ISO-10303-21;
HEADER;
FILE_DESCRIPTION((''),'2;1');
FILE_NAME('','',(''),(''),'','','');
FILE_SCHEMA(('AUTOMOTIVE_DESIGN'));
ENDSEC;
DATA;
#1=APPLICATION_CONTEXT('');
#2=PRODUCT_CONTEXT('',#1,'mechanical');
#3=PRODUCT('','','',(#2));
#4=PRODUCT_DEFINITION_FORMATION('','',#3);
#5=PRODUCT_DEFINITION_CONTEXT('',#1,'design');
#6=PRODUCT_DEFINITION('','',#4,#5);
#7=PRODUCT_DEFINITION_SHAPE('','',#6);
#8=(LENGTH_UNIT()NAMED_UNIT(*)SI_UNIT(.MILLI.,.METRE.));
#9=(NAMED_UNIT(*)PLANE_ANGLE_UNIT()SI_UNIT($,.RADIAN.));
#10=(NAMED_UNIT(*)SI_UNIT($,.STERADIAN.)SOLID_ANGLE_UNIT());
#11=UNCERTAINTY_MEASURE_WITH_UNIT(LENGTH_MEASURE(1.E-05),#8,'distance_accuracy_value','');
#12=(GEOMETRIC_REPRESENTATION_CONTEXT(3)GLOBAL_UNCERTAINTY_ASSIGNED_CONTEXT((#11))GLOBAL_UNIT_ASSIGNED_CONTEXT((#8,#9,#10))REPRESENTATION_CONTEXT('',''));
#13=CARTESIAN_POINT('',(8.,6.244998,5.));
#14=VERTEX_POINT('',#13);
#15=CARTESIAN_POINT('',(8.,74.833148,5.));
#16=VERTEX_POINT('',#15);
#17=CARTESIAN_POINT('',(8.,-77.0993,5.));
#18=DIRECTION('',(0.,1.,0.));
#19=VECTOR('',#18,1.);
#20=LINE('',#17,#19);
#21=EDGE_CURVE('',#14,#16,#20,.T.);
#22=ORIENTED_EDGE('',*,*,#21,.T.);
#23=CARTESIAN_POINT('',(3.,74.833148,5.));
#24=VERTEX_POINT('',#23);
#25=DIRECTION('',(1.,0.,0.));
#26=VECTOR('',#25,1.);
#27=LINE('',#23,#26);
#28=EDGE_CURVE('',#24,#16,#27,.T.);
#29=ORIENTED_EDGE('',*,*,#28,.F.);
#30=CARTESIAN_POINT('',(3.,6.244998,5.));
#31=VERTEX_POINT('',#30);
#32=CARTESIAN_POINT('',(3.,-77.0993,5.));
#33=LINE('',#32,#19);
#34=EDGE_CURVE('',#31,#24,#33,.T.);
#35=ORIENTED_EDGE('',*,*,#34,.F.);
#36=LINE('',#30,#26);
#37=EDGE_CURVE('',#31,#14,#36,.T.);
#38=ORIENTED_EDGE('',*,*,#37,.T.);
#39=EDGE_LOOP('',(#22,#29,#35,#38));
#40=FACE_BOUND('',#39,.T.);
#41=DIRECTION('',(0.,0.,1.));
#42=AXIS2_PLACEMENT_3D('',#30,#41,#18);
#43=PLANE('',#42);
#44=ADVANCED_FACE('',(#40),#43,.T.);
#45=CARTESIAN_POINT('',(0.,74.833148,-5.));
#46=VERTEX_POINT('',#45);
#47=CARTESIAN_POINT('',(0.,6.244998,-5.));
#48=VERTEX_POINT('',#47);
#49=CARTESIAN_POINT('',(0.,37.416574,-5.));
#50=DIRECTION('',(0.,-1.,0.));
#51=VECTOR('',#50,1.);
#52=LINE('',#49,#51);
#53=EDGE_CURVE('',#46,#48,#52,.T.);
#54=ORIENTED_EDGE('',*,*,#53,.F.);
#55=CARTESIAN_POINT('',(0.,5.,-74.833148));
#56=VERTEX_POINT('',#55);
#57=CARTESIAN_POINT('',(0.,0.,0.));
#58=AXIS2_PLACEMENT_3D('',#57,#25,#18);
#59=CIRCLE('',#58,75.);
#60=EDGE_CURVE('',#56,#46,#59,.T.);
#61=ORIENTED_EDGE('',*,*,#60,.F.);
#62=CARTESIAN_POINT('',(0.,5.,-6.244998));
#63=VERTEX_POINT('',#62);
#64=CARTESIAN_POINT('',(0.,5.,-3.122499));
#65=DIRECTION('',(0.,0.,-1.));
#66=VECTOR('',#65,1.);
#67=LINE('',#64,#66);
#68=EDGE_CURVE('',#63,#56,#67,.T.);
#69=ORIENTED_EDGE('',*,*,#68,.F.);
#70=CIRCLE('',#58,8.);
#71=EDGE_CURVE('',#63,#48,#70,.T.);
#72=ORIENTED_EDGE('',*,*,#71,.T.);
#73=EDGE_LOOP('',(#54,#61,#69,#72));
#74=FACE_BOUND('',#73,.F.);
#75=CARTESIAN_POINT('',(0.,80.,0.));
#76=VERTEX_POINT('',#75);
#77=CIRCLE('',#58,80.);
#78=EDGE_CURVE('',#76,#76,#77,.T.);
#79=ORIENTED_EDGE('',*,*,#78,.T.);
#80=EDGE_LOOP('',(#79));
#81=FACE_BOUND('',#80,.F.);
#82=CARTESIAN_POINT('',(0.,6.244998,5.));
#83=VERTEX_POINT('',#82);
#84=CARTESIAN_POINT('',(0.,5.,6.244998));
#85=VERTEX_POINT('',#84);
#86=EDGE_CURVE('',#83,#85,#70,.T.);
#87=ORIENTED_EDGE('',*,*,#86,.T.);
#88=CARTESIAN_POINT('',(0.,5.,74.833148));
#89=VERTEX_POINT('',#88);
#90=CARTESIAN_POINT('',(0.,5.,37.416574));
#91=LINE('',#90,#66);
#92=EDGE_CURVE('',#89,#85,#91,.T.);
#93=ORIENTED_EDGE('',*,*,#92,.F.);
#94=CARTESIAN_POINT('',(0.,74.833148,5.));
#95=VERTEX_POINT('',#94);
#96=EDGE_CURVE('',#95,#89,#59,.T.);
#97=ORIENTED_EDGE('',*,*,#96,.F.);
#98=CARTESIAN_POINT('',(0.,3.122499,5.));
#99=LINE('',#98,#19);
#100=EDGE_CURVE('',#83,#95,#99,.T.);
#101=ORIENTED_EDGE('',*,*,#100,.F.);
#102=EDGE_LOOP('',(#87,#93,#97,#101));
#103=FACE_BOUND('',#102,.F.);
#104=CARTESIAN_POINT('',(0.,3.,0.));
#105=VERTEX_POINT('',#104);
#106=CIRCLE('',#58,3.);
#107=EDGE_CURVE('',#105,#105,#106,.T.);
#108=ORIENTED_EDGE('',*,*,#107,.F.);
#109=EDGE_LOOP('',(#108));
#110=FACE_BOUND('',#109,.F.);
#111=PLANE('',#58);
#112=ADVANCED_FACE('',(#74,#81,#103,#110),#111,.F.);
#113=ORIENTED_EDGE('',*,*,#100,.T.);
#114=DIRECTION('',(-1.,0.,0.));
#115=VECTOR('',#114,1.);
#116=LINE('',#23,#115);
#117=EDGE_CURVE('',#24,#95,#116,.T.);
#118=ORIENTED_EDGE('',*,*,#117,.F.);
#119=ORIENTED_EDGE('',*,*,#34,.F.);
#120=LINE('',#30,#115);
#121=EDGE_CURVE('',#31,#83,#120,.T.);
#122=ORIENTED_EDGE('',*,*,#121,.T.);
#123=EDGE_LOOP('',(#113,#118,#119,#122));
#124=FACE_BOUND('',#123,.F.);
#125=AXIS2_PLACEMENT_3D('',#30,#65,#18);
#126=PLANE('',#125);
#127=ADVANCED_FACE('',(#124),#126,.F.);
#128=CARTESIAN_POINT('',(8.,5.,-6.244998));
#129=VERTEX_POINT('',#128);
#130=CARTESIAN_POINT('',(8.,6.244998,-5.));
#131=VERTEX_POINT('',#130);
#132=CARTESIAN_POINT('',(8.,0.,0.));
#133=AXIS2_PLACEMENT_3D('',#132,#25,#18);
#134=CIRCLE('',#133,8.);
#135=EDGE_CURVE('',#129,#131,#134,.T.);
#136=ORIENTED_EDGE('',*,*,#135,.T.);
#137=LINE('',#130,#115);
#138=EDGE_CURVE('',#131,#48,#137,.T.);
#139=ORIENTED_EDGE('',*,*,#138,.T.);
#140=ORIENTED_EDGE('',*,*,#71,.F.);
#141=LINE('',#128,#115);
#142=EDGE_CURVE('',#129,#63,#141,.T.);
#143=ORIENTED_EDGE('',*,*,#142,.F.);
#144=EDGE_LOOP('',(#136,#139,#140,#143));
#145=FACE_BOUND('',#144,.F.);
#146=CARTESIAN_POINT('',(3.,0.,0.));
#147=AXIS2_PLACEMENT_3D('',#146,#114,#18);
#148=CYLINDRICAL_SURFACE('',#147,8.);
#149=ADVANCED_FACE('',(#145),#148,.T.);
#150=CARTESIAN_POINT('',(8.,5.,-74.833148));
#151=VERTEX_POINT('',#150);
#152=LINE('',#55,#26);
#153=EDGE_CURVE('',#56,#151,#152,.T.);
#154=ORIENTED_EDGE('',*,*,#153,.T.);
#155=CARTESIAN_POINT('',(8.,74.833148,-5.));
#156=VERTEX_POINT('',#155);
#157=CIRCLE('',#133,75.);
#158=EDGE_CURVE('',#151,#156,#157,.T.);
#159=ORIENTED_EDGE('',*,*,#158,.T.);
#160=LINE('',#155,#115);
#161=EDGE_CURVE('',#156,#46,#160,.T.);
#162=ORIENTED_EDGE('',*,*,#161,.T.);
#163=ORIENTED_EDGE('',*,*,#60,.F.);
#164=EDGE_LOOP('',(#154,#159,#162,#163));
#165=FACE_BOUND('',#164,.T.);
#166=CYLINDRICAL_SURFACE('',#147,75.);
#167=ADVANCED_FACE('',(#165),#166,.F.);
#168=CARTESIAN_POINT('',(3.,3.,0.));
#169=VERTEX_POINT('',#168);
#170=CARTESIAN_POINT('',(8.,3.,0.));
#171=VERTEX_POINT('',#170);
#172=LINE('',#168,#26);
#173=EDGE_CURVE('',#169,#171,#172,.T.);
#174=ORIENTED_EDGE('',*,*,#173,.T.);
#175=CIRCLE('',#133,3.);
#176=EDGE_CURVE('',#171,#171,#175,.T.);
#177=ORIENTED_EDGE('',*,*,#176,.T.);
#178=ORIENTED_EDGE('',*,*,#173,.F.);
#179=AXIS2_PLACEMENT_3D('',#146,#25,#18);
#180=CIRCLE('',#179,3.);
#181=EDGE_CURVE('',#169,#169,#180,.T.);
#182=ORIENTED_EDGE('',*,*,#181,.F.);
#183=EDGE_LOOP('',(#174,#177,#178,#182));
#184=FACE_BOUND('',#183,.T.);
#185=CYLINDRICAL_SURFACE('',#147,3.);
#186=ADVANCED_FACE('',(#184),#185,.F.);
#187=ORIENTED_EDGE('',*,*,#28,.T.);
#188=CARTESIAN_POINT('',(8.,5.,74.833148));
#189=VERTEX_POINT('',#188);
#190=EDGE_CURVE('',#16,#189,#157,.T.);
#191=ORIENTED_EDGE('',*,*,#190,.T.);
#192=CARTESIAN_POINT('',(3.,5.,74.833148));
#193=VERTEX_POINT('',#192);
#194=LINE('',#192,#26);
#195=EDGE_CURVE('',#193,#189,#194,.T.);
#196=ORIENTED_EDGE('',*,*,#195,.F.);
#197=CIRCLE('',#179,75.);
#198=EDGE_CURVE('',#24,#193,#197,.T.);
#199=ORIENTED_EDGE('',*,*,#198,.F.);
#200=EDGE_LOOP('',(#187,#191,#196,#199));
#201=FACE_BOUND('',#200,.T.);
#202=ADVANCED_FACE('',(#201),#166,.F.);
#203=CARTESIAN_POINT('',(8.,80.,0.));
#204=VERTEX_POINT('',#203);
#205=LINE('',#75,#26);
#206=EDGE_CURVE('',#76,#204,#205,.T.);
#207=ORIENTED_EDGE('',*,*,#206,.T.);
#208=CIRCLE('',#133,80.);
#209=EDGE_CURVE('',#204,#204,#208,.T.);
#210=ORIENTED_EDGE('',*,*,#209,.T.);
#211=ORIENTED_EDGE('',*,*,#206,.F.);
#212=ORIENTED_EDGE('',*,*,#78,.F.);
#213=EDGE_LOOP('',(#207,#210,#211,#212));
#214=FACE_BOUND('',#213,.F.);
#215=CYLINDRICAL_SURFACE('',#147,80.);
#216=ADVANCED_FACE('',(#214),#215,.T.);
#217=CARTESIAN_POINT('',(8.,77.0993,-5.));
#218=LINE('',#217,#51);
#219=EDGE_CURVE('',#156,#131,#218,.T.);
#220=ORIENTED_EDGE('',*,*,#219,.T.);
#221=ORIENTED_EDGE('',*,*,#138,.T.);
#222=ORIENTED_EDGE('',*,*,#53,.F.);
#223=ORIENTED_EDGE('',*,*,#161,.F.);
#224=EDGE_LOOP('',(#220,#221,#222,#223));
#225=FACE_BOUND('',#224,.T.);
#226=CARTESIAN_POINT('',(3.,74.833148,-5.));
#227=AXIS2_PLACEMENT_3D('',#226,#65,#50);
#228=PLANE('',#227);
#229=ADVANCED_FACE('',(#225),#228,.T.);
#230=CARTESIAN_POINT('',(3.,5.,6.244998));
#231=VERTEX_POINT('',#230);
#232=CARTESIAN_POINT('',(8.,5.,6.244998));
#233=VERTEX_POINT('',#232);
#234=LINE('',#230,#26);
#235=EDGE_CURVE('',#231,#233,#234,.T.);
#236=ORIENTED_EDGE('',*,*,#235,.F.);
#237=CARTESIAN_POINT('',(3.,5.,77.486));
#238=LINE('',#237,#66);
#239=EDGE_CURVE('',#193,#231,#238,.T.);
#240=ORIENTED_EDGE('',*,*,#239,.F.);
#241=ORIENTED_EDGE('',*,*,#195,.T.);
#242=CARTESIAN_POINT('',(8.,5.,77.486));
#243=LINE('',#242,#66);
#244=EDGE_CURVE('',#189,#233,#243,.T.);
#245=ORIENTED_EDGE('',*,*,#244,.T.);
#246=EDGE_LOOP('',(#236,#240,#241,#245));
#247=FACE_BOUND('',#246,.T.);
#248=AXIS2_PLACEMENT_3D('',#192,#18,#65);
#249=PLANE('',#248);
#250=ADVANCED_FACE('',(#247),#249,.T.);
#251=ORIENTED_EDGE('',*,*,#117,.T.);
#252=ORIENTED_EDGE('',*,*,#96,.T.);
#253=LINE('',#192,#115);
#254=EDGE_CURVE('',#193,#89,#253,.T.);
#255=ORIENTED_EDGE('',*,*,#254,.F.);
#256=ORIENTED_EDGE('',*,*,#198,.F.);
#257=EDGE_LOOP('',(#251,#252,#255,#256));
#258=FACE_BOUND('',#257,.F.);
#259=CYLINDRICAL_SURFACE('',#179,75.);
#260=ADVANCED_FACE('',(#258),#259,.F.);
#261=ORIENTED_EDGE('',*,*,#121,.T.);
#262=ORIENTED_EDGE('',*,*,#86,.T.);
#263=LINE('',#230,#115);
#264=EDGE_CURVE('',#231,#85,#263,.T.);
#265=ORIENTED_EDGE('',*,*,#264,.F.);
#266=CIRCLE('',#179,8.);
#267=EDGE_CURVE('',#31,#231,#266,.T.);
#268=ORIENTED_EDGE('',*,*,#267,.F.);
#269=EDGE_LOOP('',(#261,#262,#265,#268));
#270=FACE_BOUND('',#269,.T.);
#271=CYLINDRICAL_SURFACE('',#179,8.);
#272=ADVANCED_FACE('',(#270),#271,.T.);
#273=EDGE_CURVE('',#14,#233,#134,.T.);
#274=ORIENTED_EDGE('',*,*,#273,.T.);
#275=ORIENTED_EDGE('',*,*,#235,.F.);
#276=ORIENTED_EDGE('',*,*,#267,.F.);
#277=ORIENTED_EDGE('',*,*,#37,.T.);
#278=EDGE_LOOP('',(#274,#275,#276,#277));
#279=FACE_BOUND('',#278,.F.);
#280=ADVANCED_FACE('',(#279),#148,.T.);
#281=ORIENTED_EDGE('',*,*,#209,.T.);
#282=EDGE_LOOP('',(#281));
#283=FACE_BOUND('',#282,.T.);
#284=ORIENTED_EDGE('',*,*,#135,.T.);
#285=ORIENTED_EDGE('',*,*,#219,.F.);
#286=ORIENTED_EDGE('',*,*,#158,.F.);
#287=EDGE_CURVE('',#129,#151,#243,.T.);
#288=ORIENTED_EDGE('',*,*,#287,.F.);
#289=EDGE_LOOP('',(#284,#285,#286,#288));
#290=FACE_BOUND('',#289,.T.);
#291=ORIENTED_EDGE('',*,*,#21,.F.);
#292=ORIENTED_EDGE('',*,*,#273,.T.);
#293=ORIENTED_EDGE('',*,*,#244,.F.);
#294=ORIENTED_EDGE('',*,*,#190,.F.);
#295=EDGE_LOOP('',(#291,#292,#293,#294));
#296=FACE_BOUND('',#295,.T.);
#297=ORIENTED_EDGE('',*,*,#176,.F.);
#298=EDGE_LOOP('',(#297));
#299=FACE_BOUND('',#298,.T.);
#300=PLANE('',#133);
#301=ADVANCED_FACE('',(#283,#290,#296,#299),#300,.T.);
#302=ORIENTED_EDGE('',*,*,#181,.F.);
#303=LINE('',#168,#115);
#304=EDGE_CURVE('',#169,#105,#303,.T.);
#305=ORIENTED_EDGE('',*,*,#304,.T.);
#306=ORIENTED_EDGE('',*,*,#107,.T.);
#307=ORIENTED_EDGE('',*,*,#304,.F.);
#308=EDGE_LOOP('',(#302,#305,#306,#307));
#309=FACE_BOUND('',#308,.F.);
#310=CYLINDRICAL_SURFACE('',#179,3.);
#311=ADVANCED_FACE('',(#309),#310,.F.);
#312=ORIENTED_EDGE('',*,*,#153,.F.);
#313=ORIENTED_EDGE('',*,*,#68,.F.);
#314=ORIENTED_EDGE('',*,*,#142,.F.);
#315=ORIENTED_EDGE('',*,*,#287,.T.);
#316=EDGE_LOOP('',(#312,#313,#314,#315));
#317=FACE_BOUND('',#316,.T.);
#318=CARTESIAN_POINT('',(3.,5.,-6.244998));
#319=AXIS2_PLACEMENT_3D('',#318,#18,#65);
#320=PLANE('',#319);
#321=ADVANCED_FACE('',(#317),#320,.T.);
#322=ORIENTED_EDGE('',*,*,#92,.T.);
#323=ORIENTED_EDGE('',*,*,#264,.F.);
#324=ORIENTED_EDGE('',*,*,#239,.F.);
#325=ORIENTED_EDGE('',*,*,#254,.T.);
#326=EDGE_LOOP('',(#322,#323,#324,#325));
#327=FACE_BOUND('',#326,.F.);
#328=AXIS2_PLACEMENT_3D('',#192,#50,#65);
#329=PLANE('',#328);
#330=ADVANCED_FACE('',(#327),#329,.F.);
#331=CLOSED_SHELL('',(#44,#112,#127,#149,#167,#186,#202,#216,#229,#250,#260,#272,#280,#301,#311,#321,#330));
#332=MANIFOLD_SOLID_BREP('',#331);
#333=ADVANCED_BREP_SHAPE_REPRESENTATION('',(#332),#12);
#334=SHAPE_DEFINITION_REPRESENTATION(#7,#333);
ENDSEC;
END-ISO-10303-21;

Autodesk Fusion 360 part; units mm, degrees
sketch "Sketch1" plane through (0, 0, 0) normal (1, 0, 0) x (0, 1, 0)
  circle A0 centre (0, 0) radius 80
  dimension "d1" = 160
extrude "Extrude1" add sketch "Sketch1" along normal blind 3 makes body 1
copy_body "Body->Comp1" bodies 1 removing the originals makes body 2 in component "Component"
sketch "Sketch2" plane through (3, 0, 0) normal (1, 0, 0) x (0, 1, 0)
  circle A0 centre (0, 0) radius 80
  circle A1 centre (0, 0) radius 3
  dimension "d4" = 6
extrude "Extrude1'" cut sketch "Sketch2" against normal blind 10 contours A1 bodies 2 in component "Component"
sketch "Sketch3" plane through (3, 0, 0) normal (1, 0, 0) x (0, 1, 0)
  circle A0 centre (0, 0) radius 3
  circle A1 centre (0, 0) radius 80
  circle A2 centre (0, 0) radius 75
  circle A3 centre (0, 0) radius 8
  line L0 (-5, 77.486) -> (5, 77.486)
  line L1 (5, 77.486) -> (5, -77.486)
  line L2 (5, -77.486) -> (-5, -77.486)
  line L3 (-5, -77.486) -> (-5, 77.486)
  line L4 (-5, 77.486) -> (5, -77.486) construction
  line L5 (5, 77.486) -> (-5, -77.486) construction
  line L6 (-77.0993, 5) -> (77.0993, 5)
  line L7 (77.0993, 5) -> (77.0993, -5)
  line L8 (77.0993, -5) -> (-77.0993, -5)
  line L9 (-77.0993, -5) -> (-77.0993, 5)
  line L10 (-77.0993, 5) -> (77.0993, -5) construction
  line L11 (77.0993, 5) -> (-77.0993, -5) construction
  dimension "d7" = 150
  dimension "d8" = 16
  dimension "d9" = 10
  dimension "d10" = 10
extrude "Extrude2" cut sketch "Sketch3" against normal blind 40 contours A2 A3 L1 L6 | A2 A3 L1 L8 bodies 2 in component "Component"
extrude "Extrude3" add 1 faces at (3, -2.6006, 53.0241) along direction (1, 0, 0) blind 5 on bodies 2 bodies 2 in component "Component"
component "Component" placed x (1, 0, 0) y (0, 1, 0) z (0, 0, 1) at (0, 0, 0)
